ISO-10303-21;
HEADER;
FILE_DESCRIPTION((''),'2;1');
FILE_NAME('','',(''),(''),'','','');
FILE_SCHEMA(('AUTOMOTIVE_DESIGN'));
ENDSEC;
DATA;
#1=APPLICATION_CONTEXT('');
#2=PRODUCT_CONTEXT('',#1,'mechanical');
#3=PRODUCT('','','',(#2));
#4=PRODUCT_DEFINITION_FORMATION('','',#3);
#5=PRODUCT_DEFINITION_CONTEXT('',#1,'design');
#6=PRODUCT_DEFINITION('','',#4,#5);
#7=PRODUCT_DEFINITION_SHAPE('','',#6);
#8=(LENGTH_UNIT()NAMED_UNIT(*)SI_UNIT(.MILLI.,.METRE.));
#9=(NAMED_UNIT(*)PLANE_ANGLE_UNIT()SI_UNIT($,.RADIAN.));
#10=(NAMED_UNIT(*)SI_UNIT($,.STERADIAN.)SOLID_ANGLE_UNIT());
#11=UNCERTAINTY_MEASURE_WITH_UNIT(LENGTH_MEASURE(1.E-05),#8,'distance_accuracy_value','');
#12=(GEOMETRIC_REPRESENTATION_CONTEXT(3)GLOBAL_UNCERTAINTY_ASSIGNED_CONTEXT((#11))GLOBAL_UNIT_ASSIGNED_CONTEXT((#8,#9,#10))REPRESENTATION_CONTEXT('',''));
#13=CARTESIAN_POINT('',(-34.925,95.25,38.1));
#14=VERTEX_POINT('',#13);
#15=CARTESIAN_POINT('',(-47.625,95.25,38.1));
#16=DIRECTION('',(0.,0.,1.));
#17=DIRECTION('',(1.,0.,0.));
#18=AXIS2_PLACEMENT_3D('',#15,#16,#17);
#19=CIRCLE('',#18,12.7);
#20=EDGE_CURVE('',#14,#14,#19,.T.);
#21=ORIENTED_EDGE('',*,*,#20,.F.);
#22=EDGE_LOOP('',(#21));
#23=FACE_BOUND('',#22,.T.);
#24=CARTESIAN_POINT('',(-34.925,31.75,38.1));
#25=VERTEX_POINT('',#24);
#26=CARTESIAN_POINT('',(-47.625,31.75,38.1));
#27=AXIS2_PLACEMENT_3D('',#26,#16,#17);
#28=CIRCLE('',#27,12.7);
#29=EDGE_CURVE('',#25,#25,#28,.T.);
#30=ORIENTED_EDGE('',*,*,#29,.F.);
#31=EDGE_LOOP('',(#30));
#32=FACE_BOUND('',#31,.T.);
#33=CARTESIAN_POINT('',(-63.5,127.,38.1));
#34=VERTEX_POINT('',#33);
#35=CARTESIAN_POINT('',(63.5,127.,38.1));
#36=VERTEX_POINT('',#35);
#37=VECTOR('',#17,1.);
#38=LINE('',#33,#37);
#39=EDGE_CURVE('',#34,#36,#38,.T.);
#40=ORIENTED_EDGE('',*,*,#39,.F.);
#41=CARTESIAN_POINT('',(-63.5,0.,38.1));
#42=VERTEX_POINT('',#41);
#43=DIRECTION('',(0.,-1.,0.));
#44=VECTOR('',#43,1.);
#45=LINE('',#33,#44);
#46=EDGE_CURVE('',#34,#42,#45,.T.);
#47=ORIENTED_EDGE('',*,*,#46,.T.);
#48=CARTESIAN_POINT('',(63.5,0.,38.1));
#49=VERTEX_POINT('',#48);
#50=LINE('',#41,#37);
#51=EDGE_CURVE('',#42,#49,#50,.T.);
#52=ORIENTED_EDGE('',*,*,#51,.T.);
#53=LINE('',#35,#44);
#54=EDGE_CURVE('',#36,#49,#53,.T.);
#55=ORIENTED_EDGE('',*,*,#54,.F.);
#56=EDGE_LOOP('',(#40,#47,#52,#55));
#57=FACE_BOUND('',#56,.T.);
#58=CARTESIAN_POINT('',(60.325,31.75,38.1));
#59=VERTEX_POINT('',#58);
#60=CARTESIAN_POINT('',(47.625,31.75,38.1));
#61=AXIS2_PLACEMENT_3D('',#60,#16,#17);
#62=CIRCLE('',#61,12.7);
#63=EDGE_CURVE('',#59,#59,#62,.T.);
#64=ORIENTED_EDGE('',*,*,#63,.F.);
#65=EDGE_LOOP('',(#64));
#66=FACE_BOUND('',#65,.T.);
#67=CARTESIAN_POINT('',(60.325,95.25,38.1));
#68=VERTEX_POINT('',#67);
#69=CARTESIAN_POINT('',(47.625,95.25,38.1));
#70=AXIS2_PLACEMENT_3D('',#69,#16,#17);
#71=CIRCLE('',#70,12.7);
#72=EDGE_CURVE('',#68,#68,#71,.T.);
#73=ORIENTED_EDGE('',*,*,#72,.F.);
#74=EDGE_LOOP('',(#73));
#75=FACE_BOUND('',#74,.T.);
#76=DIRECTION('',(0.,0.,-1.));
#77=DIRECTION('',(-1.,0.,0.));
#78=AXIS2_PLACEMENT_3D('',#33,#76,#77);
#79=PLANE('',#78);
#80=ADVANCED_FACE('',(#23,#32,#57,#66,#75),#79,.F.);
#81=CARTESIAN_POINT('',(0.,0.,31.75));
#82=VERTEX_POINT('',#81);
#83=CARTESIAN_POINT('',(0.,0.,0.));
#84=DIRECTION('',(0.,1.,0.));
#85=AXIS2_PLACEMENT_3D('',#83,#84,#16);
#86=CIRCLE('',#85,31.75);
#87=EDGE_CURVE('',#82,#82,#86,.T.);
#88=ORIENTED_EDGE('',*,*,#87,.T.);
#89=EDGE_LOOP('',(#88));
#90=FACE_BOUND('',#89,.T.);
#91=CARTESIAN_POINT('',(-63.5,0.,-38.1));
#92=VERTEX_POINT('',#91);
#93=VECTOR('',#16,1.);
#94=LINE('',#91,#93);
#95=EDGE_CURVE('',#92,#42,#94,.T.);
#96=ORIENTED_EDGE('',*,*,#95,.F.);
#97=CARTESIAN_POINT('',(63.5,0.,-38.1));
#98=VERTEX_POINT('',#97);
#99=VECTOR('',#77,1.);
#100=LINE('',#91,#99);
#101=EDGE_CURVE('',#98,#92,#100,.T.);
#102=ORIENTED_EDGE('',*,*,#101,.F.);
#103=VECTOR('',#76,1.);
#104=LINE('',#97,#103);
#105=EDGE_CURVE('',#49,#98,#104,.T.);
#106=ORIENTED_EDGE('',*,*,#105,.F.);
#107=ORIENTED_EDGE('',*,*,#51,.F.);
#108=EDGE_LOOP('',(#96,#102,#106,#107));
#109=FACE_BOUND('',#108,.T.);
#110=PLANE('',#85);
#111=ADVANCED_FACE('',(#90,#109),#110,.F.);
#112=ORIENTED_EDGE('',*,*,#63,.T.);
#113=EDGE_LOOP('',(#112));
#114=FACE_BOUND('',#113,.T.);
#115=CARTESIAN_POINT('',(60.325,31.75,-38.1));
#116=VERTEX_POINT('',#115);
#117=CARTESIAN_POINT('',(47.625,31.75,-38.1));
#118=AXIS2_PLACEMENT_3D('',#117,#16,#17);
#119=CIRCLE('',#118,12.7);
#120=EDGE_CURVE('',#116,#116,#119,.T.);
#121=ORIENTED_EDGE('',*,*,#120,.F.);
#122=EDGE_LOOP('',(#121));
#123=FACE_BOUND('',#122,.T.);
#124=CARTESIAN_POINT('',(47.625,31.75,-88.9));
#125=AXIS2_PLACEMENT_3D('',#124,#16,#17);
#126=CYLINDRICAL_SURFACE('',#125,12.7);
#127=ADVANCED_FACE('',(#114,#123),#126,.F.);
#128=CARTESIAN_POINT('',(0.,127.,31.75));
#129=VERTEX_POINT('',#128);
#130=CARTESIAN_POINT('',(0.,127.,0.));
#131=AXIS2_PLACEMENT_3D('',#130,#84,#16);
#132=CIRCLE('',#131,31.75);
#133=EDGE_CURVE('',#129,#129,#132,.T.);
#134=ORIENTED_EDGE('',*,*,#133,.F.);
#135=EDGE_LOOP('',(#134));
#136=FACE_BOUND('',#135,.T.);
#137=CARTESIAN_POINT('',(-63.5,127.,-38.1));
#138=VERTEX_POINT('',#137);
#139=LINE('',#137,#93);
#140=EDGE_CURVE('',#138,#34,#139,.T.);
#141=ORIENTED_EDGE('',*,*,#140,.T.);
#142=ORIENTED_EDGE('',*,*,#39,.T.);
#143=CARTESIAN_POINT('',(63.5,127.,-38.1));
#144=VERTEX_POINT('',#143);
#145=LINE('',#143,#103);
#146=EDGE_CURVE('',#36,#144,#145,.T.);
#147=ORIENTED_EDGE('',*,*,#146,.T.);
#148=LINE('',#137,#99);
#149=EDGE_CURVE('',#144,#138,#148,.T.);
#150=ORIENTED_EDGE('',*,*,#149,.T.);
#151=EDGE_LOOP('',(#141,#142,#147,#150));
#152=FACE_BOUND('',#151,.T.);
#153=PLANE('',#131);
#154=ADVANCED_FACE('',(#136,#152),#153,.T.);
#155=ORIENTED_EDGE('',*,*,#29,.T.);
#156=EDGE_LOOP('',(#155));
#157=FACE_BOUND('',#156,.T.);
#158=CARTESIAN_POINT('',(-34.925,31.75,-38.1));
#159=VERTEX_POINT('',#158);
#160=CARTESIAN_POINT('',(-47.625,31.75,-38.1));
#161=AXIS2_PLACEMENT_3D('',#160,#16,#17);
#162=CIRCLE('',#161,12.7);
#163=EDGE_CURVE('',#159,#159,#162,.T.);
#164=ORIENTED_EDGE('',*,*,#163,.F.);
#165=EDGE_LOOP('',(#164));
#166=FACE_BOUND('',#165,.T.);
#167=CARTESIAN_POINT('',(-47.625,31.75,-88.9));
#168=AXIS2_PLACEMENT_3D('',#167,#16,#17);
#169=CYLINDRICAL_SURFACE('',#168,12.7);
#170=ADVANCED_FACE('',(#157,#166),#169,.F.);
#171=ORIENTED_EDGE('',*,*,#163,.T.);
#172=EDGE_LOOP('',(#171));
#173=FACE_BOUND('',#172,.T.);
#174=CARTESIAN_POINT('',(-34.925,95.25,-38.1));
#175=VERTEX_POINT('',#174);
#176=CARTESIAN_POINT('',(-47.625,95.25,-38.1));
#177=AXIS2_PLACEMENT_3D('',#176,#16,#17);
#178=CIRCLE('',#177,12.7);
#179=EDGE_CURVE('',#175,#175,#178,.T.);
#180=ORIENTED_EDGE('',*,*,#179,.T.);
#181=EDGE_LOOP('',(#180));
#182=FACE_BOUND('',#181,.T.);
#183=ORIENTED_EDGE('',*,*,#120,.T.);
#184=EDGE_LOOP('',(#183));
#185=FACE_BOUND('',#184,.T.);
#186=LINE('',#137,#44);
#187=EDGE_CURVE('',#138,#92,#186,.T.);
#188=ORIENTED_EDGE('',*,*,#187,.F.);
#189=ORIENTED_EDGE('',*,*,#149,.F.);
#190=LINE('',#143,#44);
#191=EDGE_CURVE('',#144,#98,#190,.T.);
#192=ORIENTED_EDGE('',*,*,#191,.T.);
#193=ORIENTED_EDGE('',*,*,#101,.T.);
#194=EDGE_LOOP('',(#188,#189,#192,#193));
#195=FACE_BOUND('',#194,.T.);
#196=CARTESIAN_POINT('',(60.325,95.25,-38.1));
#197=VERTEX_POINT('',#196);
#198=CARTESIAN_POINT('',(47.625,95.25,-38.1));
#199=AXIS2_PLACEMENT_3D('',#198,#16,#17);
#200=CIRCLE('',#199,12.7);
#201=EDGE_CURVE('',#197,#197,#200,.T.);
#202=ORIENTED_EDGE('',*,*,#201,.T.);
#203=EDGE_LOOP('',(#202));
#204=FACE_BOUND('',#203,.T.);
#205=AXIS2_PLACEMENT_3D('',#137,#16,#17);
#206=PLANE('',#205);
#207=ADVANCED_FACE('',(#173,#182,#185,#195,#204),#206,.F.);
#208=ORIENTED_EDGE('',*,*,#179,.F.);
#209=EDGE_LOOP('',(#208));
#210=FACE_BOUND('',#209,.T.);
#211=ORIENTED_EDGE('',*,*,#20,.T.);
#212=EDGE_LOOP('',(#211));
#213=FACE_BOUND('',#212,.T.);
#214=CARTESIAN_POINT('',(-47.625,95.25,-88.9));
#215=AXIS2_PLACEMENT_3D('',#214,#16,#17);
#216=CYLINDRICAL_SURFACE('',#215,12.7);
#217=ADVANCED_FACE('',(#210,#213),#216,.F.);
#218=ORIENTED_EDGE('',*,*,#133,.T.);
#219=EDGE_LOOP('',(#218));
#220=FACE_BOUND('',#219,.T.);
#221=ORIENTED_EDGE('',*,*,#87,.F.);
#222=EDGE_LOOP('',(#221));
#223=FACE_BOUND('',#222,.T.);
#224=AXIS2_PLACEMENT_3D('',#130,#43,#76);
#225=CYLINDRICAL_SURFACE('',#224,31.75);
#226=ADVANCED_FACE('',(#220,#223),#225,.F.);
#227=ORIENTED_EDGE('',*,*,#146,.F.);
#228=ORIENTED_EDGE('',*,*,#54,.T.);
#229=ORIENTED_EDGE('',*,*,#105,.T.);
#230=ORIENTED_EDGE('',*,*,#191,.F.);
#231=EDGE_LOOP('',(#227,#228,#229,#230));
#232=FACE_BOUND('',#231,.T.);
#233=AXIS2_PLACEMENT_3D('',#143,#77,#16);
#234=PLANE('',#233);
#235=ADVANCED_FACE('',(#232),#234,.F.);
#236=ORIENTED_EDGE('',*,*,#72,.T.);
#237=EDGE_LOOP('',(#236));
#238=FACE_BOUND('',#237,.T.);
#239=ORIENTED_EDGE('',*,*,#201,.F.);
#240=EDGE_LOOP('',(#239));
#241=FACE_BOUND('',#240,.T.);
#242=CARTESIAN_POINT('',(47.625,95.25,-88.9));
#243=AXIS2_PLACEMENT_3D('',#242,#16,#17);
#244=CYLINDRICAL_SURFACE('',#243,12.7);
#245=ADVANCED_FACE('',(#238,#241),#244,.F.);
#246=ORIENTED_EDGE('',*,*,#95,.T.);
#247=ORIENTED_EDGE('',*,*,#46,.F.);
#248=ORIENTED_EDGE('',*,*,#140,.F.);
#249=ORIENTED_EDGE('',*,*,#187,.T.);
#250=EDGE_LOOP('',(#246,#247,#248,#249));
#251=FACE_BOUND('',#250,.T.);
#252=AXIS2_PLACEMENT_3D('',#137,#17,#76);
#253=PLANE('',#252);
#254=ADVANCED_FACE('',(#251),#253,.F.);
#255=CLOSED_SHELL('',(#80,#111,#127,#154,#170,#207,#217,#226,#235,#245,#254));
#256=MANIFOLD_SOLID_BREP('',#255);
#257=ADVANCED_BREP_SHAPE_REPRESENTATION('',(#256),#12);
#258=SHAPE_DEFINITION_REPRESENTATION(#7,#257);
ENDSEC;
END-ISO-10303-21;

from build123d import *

# Parameters (mm, degrees)
SKETCH2_W           = 127
SKETCH2_H           = 76.2
SKETCH2_R           = 31.75
BOSS_EXTRUDE1_DEPTH = 127
SKETCH3_R           = 12.7
CUT_EXTRUDE1_DEPTH  = 127


with BuildPart() as part:
    # Sketch2 → Boss-Extrude1 (new body)
    with BuildSketch(Plane(origin=(0, 0, 0), x_dir=(1, 0, 0), z_dir=(0, 1, 0))):
        Rectangle(SKETCH2_W, SKETCH2_H)
        Circle(SKETCH2_R, mode=Mode.SUBTRACT)
    extrude(amount=BOSS_EXTRUDE1_DEPTH)

    # Sketch3 → Cut-Extrude1 (cut)
    with BuildSketch(Plane.XY.offset(38.1)):
        with BuildLine():
            ThreePointArc((60.325, 95.25), (56.605256121, 104.230256121), (47.625, 107.95))
            Line((47.625, 107.95), (47.625, 82.55))
            ThreePointArc((47.625, 82.55), (56.605256121, 86.269743879), (60.325, 95.25))
        make_face()
        with BuildLine():
            Line((47.625, 82.55), (47.625, 107.95))
            ThreePointArc((47.625, 107.95), (34.925, 95.25), (47.625, 82.55))
        make_face()
        with BuildLine():
            ThreePointArc((60.325, 31.75), (56.605256121, 40.730256121), (47.625, 44.45))
            Line((47.625, 44.45), (47.625, 19.05))
            ThreePointArc((47.625, 19.05), (56.605256121, 22.769743879), (60.325, 31.75))
        make_face()
        with BuildLine():
            Line((47.625, 19.05), (47.625, 44.45))
            ThreePointArc((47.625, 44.45), (34.925, 31.75), (47.625, 19.05))
        make_face()
        with Locations((-47.625, 31.75)):
            Circle(SKETCH3_R)
        with Locations((-47.625, 95.25)):
            Circle(SKETCH3_R)
    extrude(amount=-CUT_EXTRUDE1_DEPTH, mode=Mode.SUBTRACT)


solid = part.part
